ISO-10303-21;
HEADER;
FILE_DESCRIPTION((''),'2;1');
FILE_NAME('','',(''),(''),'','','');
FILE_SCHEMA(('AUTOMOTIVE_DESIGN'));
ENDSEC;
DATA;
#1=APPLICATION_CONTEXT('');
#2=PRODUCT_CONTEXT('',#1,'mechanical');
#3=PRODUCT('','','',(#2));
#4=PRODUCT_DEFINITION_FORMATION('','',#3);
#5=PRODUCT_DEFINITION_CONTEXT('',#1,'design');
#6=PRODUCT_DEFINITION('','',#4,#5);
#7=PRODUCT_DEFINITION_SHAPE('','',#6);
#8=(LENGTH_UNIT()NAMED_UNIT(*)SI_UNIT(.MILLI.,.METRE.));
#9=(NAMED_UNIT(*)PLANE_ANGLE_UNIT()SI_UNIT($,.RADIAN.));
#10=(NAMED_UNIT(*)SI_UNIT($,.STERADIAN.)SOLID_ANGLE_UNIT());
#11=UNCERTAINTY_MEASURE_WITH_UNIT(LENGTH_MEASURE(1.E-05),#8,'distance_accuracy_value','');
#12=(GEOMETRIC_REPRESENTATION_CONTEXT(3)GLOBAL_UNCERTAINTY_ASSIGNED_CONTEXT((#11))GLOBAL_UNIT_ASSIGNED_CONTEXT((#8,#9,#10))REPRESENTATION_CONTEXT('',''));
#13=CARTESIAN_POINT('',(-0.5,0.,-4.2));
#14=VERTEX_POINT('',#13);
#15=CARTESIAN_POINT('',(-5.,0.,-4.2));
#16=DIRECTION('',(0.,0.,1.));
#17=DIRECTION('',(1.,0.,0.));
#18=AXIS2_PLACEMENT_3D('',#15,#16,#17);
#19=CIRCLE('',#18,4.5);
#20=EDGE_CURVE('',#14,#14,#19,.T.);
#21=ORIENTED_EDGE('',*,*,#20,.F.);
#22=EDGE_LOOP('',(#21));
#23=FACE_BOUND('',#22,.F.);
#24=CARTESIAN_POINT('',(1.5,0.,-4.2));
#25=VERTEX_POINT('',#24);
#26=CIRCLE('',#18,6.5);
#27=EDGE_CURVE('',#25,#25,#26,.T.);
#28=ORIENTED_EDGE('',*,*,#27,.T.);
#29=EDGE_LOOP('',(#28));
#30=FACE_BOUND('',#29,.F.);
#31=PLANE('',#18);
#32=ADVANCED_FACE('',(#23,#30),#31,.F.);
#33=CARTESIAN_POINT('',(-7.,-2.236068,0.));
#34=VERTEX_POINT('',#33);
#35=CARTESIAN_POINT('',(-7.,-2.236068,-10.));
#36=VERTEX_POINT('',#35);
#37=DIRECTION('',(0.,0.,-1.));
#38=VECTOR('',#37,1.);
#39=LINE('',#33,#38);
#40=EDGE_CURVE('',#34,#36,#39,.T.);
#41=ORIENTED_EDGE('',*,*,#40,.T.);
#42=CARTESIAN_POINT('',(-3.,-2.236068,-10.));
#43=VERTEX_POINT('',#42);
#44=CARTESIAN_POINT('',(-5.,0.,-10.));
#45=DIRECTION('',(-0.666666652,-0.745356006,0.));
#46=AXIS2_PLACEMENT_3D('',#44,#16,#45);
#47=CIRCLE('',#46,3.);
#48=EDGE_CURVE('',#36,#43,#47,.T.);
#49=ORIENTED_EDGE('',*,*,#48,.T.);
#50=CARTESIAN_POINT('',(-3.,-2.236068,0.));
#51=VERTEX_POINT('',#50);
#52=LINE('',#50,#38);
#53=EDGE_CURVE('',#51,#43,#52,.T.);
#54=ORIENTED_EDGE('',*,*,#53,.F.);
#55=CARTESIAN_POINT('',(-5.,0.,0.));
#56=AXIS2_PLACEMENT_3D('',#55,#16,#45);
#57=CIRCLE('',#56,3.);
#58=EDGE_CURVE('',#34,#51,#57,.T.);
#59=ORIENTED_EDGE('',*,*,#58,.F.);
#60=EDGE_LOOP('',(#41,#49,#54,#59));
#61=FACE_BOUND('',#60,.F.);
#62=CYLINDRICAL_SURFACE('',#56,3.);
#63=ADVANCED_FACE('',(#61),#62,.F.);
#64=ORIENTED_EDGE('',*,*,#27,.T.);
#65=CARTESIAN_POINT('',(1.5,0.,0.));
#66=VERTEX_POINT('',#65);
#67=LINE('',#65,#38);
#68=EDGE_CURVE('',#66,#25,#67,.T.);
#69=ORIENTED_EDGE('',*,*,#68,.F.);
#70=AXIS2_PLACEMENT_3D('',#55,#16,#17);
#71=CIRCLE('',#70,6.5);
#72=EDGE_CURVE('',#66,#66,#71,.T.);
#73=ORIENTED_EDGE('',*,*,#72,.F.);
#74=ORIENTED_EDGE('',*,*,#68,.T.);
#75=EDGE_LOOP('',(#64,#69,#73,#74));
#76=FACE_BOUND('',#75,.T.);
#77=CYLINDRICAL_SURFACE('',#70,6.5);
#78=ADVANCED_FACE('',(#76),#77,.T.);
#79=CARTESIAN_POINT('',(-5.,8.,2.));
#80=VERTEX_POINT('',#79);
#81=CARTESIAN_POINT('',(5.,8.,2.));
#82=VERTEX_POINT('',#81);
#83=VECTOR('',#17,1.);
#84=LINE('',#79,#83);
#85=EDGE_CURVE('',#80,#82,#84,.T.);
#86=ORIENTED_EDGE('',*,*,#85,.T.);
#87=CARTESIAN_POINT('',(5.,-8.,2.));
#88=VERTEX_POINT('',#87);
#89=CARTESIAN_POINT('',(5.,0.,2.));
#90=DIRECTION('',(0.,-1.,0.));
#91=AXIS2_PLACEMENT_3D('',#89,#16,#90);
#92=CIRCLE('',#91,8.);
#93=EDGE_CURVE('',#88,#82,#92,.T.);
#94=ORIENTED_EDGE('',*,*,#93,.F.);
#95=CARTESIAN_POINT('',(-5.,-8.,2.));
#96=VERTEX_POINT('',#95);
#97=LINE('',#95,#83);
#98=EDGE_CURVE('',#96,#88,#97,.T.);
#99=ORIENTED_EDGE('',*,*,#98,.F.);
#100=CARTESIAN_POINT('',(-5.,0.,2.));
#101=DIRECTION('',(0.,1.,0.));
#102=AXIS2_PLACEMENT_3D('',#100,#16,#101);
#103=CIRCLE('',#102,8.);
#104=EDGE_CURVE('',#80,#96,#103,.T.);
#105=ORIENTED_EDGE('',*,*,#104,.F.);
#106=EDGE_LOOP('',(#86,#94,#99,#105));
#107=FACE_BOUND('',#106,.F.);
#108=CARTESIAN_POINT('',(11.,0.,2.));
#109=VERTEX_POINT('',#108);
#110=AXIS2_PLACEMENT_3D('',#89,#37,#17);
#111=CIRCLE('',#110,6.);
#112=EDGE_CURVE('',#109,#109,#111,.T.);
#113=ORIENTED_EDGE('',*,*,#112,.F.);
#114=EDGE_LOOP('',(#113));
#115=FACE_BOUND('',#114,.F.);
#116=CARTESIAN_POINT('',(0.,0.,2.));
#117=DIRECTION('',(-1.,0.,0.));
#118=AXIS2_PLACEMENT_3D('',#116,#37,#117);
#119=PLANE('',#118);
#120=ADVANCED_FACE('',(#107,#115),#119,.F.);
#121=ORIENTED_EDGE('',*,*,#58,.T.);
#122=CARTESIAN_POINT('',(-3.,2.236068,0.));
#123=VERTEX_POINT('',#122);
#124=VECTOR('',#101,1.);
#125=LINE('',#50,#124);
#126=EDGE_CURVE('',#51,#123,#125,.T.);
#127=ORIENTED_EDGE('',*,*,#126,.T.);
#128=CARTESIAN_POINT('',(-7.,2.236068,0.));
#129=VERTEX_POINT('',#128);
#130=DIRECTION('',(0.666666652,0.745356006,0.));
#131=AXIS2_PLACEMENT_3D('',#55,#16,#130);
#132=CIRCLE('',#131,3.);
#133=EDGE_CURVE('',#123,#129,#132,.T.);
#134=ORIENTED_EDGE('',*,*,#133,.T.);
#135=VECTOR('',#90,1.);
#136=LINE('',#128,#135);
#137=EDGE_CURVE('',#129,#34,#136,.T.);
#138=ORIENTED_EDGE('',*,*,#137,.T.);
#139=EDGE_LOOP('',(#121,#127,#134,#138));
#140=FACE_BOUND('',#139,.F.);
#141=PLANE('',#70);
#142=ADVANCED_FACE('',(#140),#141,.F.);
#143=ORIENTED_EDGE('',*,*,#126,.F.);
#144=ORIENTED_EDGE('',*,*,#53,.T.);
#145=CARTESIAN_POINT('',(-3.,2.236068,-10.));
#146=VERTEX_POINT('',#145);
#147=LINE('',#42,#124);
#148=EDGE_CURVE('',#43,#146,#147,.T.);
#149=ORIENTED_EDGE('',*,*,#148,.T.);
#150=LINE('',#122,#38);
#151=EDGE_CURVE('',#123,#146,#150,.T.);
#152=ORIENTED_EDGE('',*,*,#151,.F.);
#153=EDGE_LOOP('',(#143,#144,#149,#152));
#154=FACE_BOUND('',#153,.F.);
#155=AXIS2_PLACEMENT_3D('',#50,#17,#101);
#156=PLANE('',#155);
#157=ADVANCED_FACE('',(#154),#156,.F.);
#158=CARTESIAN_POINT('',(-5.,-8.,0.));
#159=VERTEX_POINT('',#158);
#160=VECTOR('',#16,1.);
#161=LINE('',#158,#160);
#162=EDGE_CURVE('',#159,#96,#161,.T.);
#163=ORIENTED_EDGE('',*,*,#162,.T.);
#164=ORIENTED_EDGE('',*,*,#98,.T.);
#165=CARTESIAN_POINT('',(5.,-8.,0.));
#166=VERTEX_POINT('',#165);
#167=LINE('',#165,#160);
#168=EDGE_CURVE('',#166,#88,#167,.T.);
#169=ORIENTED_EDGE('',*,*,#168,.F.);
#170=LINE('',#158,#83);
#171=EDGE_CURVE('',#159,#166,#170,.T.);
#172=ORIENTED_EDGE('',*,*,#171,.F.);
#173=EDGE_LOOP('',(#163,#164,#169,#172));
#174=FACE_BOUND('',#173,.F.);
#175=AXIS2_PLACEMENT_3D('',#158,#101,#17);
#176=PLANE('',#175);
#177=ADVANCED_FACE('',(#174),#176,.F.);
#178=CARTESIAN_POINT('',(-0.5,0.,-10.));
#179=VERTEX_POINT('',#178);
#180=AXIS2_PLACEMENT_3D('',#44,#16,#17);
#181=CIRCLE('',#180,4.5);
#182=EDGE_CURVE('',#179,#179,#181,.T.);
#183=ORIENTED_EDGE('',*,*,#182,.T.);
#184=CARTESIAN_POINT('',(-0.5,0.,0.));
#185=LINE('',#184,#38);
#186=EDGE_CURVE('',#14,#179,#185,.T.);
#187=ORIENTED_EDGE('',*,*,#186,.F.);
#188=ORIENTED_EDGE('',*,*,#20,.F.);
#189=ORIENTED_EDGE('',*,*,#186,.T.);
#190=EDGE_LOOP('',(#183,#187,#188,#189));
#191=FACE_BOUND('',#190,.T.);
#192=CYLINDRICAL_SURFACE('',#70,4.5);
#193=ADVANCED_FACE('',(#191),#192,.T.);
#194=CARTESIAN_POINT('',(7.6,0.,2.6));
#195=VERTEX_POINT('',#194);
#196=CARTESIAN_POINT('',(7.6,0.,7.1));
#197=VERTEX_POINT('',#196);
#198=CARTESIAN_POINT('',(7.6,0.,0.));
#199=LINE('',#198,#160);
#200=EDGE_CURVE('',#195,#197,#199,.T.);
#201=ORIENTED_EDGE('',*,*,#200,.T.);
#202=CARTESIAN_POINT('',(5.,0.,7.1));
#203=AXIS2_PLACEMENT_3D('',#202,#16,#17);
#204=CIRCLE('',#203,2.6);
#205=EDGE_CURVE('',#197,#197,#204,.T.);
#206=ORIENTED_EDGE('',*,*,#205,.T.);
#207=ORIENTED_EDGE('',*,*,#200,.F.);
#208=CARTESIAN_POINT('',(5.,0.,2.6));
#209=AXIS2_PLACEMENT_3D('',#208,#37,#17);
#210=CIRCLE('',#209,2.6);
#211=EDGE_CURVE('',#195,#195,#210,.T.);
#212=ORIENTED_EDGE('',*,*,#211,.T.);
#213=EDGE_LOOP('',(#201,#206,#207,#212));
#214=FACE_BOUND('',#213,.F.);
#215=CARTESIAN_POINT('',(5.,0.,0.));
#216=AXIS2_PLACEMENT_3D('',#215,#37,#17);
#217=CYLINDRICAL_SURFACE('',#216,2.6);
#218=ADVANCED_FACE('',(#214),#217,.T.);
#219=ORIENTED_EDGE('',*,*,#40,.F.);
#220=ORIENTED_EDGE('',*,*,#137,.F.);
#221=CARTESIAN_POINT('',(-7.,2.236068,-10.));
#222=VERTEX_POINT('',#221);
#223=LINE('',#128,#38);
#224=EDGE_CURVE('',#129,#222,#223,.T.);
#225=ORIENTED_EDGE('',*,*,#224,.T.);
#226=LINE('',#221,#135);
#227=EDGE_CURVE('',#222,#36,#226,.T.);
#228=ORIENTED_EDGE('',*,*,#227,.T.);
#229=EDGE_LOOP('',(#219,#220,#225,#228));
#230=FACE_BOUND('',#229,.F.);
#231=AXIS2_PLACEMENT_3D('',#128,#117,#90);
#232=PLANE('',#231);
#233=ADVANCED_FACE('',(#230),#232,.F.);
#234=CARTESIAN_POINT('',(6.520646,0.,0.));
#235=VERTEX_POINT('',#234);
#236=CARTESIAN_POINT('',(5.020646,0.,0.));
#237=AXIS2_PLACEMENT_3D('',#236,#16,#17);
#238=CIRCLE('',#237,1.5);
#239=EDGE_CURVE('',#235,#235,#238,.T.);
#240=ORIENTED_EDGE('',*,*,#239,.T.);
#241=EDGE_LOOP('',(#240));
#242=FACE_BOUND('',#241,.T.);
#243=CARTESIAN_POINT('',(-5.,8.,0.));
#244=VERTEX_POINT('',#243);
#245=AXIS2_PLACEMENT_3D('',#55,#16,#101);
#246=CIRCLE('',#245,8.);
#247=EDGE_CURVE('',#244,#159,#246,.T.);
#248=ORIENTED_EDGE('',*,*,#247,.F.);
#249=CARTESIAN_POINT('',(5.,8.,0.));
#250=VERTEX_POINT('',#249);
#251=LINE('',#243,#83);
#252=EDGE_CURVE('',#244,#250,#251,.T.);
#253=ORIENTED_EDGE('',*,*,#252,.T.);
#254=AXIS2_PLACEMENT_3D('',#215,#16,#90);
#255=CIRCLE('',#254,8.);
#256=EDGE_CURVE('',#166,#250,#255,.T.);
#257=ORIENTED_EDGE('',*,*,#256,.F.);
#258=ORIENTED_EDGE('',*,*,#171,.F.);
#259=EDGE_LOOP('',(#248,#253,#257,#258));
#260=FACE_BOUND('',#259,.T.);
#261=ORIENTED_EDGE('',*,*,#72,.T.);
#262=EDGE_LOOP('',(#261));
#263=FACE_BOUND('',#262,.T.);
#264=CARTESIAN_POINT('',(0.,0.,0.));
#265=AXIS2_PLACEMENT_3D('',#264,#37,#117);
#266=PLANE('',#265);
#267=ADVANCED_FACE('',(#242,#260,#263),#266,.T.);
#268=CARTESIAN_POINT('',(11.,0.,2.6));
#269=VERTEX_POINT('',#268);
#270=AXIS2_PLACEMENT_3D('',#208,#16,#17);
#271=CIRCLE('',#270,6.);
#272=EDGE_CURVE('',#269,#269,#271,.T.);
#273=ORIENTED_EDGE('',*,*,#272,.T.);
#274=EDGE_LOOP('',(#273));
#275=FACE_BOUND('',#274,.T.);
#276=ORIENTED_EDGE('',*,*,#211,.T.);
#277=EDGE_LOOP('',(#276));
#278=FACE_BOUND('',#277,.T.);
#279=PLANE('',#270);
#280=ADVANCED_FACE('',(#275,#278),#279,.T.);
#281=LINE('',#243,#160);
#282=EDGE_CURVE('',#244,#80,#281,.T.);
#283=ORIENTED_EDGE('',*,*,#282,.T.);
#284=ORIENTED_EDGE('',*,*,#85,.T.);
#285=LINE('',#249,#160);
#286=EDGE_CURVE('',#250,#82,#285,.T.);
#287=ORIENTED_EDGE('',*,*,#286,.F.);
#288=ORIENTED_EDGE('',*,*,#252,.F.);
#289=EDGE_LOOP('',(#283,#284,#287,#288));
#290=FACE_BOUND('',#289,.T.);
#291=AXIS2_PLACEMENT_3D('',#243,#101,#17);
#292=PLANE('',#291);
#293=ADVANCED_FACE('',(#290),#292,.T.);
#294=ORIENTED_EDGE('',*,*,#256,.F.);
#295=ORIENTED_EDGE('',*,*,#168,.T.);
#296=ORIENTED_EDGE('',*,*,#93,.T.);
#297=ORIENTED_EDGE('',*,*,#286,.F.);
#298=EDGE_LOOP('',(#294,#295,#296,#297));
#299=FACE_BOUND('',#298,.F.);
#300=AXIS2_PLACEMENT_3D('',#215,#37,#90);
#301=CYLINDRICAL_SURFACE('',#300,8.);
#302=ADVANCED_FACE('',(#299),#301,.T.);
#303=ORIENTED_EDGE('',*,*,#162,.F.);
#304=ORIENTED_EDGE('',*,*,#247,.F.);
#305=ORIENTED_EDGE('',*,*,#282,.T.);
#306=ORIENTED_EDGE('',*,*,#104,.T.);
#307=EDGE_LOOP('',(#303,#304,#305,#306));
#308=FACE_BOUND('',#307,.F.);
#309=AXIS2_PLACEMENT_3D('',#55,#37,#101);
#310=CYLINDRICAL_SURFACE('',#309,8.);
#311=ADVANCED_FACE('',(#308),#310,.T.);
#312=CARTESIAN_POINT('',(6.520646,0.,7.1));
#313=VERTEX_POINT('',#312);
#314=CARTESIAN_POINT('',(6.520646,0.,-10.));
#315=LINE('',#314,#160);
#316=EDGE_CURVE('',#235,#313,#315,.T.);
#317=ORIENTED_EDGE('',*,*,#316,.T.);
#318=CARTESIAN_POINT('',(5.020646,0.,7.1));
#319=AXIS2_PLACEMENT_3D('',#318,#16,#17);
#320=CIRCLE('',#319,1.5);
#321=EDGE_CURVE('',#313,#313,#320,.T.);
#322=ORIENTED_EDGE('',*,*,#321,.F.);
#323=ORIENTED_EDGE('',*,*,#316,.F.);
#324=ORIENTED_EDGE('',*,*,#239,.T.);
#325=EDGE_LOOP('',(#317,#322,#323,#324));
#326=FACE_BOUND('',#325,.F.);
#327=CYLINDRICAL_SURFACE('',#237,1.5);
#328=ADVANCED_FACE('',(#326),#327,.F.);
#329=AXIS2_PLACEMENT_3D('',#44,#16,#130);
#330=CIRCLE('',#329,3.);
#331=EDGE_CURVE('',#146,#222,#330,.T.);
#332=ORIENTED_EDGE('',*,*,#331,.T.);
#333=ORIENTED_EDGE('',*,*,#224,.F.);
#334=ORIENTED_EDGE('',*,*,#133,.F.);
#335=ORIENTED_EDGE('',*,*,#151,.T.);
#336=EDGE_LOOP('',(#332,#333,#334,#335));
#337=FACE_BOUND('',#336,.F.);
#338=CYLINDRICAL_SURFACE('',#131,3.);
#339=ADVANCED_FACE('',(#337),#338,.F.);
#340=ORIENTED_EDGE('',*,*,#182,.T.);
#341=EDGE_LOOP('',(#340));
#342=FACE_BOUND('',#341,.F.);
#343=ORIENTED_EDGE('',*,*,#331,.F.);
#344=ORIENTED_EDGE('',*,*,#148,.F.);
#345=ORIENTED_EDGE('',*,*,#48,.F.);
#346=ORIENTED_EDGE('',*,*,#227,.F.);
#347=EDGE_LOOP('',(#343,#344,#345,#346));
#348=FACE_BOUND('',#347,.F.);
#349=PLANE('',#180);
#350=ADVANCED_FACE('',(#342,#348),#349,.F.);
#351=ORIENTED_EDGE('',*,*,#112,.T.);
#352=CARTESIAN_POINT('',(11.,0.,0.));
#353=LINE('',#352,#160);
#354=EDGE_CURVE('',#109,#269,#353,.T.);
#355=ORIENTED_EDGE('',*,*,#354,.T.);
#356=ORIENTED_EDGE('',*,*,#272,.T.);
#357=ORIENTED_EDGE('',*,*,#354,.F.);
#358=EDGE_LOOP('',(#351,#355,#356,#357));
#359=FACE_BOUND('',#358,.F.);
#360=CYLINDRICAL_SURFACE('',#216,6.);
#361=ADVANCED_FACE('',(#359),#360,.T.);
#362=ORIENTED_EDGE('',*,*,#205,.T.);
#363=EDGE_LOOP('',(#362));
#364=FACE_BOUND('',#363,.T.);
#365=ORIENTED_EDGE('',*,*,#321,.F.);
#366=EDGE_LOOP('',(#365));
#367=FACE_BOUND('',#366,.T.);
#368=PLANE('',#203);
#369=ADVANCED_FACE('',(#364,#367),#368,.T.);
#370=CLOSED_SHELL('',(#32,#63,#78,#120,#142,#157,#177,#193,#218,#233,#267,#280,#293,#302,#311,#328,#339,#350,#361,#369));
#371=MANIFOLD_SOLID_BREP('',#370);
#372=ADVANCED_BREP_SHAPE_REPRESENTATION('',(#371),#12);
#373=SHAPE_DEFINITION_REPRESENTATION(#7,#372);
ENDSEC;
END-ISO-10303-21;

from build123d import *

# Parameters (mm, degrees)
PAD005_DEPTH = 10
SKETCH014_R  = 1.5
PAD013_DEPTH = 10
SKETCH002_R  = 6
PAD001_DEPTH = 2.6
SKETCH003_R  = 2.6
PAD002_DEPTH = 7.1
SKETCH004_R  = 4.5
PAD003_DEPTH = 10
SKETCH005_R  = 6.5
PAD004_DEPTH = 4.2
PAD006_DEPTH = 2


with BuildPart() as motor_linkage_hole_body:
    # Sketch006 → Pad005 (new body)
    with BuildSketch(Plane.XY):
        with BuildLine():
            Line((-7, 2.236068), (-7, -2.236068))
            ThreePointArc((-7, -2.236068), (-5, -3), (-3, -2.236068))
            Line((-3, -2.236068), (-3, 2.236068))
            ThreePointArc((-3, 2.236068), (-5, 3), (-7, 2.236068))
        make_face()
    extrude(amount=-PAD005_DEPTH)


with BuildPart() as hole_fusion:
    # Sketch014 → Pad013 (new body, symmetric)
    with BuildSketch(Plane.XY):
        with Locations((5.020646, 0)):
            Circle(SKETCH014_R)
    extrude(amount=PAD013_DEPTH, both=True)

    # Fusion005: union motor linkage hole body
    add(motor_linkage_hole_body.part)


with BuildPart() as motor_linkage_cut:
    # Sketch002 → Pad001 (new body)
    with BuildSketch(Plane.XY):
        with Locations((5, 0)):
            Circle(SKETCH002_R)
    extrude(amount=PAD001_DEPTH)

    # Sketch003 → Pad002 (join)
    with BuildSketch(Plane.XY):
        with Locations((5, 0)):
            Circle(SKETCH003_R)
    extrude(amount=PAD002_DEPTH)

    # Sketch004 → Pad003 (join)
    with BuildSketch(Plane.XY):
        with Locations((-5, 0)):
            Circle(SKETCH004_R)
    extrude(amount=-PAD003_DEPTH)

    # Sketch005 → Pad004 (join)
    with BuildSketch(Plane.XY):
        with Locations((-5, 0)):
            Circle(SKETCH005_R)
    extrude(amount=-PAD004_DEPTH)

    # Sketch001 → Pad006 (join)
    with BuildSketch(Plane.XY):
        with BuildLine():
            Line((-5, 8), (5, 8))
            ThreePointArc((5, -8), (13, 0), (5, 8))
            Line((-5, -8), (5, -8))
            ThreePointArc((-5, 8), (-13, 0), (-5, -8))
        make_face()
    extrude(amount=PAD006_DEPTH)

    # Cut: cut hole fusion
    add(hole_fusion.part, mode=Mode.SUBTRACT)


solid = motor_linkage_cut.part
